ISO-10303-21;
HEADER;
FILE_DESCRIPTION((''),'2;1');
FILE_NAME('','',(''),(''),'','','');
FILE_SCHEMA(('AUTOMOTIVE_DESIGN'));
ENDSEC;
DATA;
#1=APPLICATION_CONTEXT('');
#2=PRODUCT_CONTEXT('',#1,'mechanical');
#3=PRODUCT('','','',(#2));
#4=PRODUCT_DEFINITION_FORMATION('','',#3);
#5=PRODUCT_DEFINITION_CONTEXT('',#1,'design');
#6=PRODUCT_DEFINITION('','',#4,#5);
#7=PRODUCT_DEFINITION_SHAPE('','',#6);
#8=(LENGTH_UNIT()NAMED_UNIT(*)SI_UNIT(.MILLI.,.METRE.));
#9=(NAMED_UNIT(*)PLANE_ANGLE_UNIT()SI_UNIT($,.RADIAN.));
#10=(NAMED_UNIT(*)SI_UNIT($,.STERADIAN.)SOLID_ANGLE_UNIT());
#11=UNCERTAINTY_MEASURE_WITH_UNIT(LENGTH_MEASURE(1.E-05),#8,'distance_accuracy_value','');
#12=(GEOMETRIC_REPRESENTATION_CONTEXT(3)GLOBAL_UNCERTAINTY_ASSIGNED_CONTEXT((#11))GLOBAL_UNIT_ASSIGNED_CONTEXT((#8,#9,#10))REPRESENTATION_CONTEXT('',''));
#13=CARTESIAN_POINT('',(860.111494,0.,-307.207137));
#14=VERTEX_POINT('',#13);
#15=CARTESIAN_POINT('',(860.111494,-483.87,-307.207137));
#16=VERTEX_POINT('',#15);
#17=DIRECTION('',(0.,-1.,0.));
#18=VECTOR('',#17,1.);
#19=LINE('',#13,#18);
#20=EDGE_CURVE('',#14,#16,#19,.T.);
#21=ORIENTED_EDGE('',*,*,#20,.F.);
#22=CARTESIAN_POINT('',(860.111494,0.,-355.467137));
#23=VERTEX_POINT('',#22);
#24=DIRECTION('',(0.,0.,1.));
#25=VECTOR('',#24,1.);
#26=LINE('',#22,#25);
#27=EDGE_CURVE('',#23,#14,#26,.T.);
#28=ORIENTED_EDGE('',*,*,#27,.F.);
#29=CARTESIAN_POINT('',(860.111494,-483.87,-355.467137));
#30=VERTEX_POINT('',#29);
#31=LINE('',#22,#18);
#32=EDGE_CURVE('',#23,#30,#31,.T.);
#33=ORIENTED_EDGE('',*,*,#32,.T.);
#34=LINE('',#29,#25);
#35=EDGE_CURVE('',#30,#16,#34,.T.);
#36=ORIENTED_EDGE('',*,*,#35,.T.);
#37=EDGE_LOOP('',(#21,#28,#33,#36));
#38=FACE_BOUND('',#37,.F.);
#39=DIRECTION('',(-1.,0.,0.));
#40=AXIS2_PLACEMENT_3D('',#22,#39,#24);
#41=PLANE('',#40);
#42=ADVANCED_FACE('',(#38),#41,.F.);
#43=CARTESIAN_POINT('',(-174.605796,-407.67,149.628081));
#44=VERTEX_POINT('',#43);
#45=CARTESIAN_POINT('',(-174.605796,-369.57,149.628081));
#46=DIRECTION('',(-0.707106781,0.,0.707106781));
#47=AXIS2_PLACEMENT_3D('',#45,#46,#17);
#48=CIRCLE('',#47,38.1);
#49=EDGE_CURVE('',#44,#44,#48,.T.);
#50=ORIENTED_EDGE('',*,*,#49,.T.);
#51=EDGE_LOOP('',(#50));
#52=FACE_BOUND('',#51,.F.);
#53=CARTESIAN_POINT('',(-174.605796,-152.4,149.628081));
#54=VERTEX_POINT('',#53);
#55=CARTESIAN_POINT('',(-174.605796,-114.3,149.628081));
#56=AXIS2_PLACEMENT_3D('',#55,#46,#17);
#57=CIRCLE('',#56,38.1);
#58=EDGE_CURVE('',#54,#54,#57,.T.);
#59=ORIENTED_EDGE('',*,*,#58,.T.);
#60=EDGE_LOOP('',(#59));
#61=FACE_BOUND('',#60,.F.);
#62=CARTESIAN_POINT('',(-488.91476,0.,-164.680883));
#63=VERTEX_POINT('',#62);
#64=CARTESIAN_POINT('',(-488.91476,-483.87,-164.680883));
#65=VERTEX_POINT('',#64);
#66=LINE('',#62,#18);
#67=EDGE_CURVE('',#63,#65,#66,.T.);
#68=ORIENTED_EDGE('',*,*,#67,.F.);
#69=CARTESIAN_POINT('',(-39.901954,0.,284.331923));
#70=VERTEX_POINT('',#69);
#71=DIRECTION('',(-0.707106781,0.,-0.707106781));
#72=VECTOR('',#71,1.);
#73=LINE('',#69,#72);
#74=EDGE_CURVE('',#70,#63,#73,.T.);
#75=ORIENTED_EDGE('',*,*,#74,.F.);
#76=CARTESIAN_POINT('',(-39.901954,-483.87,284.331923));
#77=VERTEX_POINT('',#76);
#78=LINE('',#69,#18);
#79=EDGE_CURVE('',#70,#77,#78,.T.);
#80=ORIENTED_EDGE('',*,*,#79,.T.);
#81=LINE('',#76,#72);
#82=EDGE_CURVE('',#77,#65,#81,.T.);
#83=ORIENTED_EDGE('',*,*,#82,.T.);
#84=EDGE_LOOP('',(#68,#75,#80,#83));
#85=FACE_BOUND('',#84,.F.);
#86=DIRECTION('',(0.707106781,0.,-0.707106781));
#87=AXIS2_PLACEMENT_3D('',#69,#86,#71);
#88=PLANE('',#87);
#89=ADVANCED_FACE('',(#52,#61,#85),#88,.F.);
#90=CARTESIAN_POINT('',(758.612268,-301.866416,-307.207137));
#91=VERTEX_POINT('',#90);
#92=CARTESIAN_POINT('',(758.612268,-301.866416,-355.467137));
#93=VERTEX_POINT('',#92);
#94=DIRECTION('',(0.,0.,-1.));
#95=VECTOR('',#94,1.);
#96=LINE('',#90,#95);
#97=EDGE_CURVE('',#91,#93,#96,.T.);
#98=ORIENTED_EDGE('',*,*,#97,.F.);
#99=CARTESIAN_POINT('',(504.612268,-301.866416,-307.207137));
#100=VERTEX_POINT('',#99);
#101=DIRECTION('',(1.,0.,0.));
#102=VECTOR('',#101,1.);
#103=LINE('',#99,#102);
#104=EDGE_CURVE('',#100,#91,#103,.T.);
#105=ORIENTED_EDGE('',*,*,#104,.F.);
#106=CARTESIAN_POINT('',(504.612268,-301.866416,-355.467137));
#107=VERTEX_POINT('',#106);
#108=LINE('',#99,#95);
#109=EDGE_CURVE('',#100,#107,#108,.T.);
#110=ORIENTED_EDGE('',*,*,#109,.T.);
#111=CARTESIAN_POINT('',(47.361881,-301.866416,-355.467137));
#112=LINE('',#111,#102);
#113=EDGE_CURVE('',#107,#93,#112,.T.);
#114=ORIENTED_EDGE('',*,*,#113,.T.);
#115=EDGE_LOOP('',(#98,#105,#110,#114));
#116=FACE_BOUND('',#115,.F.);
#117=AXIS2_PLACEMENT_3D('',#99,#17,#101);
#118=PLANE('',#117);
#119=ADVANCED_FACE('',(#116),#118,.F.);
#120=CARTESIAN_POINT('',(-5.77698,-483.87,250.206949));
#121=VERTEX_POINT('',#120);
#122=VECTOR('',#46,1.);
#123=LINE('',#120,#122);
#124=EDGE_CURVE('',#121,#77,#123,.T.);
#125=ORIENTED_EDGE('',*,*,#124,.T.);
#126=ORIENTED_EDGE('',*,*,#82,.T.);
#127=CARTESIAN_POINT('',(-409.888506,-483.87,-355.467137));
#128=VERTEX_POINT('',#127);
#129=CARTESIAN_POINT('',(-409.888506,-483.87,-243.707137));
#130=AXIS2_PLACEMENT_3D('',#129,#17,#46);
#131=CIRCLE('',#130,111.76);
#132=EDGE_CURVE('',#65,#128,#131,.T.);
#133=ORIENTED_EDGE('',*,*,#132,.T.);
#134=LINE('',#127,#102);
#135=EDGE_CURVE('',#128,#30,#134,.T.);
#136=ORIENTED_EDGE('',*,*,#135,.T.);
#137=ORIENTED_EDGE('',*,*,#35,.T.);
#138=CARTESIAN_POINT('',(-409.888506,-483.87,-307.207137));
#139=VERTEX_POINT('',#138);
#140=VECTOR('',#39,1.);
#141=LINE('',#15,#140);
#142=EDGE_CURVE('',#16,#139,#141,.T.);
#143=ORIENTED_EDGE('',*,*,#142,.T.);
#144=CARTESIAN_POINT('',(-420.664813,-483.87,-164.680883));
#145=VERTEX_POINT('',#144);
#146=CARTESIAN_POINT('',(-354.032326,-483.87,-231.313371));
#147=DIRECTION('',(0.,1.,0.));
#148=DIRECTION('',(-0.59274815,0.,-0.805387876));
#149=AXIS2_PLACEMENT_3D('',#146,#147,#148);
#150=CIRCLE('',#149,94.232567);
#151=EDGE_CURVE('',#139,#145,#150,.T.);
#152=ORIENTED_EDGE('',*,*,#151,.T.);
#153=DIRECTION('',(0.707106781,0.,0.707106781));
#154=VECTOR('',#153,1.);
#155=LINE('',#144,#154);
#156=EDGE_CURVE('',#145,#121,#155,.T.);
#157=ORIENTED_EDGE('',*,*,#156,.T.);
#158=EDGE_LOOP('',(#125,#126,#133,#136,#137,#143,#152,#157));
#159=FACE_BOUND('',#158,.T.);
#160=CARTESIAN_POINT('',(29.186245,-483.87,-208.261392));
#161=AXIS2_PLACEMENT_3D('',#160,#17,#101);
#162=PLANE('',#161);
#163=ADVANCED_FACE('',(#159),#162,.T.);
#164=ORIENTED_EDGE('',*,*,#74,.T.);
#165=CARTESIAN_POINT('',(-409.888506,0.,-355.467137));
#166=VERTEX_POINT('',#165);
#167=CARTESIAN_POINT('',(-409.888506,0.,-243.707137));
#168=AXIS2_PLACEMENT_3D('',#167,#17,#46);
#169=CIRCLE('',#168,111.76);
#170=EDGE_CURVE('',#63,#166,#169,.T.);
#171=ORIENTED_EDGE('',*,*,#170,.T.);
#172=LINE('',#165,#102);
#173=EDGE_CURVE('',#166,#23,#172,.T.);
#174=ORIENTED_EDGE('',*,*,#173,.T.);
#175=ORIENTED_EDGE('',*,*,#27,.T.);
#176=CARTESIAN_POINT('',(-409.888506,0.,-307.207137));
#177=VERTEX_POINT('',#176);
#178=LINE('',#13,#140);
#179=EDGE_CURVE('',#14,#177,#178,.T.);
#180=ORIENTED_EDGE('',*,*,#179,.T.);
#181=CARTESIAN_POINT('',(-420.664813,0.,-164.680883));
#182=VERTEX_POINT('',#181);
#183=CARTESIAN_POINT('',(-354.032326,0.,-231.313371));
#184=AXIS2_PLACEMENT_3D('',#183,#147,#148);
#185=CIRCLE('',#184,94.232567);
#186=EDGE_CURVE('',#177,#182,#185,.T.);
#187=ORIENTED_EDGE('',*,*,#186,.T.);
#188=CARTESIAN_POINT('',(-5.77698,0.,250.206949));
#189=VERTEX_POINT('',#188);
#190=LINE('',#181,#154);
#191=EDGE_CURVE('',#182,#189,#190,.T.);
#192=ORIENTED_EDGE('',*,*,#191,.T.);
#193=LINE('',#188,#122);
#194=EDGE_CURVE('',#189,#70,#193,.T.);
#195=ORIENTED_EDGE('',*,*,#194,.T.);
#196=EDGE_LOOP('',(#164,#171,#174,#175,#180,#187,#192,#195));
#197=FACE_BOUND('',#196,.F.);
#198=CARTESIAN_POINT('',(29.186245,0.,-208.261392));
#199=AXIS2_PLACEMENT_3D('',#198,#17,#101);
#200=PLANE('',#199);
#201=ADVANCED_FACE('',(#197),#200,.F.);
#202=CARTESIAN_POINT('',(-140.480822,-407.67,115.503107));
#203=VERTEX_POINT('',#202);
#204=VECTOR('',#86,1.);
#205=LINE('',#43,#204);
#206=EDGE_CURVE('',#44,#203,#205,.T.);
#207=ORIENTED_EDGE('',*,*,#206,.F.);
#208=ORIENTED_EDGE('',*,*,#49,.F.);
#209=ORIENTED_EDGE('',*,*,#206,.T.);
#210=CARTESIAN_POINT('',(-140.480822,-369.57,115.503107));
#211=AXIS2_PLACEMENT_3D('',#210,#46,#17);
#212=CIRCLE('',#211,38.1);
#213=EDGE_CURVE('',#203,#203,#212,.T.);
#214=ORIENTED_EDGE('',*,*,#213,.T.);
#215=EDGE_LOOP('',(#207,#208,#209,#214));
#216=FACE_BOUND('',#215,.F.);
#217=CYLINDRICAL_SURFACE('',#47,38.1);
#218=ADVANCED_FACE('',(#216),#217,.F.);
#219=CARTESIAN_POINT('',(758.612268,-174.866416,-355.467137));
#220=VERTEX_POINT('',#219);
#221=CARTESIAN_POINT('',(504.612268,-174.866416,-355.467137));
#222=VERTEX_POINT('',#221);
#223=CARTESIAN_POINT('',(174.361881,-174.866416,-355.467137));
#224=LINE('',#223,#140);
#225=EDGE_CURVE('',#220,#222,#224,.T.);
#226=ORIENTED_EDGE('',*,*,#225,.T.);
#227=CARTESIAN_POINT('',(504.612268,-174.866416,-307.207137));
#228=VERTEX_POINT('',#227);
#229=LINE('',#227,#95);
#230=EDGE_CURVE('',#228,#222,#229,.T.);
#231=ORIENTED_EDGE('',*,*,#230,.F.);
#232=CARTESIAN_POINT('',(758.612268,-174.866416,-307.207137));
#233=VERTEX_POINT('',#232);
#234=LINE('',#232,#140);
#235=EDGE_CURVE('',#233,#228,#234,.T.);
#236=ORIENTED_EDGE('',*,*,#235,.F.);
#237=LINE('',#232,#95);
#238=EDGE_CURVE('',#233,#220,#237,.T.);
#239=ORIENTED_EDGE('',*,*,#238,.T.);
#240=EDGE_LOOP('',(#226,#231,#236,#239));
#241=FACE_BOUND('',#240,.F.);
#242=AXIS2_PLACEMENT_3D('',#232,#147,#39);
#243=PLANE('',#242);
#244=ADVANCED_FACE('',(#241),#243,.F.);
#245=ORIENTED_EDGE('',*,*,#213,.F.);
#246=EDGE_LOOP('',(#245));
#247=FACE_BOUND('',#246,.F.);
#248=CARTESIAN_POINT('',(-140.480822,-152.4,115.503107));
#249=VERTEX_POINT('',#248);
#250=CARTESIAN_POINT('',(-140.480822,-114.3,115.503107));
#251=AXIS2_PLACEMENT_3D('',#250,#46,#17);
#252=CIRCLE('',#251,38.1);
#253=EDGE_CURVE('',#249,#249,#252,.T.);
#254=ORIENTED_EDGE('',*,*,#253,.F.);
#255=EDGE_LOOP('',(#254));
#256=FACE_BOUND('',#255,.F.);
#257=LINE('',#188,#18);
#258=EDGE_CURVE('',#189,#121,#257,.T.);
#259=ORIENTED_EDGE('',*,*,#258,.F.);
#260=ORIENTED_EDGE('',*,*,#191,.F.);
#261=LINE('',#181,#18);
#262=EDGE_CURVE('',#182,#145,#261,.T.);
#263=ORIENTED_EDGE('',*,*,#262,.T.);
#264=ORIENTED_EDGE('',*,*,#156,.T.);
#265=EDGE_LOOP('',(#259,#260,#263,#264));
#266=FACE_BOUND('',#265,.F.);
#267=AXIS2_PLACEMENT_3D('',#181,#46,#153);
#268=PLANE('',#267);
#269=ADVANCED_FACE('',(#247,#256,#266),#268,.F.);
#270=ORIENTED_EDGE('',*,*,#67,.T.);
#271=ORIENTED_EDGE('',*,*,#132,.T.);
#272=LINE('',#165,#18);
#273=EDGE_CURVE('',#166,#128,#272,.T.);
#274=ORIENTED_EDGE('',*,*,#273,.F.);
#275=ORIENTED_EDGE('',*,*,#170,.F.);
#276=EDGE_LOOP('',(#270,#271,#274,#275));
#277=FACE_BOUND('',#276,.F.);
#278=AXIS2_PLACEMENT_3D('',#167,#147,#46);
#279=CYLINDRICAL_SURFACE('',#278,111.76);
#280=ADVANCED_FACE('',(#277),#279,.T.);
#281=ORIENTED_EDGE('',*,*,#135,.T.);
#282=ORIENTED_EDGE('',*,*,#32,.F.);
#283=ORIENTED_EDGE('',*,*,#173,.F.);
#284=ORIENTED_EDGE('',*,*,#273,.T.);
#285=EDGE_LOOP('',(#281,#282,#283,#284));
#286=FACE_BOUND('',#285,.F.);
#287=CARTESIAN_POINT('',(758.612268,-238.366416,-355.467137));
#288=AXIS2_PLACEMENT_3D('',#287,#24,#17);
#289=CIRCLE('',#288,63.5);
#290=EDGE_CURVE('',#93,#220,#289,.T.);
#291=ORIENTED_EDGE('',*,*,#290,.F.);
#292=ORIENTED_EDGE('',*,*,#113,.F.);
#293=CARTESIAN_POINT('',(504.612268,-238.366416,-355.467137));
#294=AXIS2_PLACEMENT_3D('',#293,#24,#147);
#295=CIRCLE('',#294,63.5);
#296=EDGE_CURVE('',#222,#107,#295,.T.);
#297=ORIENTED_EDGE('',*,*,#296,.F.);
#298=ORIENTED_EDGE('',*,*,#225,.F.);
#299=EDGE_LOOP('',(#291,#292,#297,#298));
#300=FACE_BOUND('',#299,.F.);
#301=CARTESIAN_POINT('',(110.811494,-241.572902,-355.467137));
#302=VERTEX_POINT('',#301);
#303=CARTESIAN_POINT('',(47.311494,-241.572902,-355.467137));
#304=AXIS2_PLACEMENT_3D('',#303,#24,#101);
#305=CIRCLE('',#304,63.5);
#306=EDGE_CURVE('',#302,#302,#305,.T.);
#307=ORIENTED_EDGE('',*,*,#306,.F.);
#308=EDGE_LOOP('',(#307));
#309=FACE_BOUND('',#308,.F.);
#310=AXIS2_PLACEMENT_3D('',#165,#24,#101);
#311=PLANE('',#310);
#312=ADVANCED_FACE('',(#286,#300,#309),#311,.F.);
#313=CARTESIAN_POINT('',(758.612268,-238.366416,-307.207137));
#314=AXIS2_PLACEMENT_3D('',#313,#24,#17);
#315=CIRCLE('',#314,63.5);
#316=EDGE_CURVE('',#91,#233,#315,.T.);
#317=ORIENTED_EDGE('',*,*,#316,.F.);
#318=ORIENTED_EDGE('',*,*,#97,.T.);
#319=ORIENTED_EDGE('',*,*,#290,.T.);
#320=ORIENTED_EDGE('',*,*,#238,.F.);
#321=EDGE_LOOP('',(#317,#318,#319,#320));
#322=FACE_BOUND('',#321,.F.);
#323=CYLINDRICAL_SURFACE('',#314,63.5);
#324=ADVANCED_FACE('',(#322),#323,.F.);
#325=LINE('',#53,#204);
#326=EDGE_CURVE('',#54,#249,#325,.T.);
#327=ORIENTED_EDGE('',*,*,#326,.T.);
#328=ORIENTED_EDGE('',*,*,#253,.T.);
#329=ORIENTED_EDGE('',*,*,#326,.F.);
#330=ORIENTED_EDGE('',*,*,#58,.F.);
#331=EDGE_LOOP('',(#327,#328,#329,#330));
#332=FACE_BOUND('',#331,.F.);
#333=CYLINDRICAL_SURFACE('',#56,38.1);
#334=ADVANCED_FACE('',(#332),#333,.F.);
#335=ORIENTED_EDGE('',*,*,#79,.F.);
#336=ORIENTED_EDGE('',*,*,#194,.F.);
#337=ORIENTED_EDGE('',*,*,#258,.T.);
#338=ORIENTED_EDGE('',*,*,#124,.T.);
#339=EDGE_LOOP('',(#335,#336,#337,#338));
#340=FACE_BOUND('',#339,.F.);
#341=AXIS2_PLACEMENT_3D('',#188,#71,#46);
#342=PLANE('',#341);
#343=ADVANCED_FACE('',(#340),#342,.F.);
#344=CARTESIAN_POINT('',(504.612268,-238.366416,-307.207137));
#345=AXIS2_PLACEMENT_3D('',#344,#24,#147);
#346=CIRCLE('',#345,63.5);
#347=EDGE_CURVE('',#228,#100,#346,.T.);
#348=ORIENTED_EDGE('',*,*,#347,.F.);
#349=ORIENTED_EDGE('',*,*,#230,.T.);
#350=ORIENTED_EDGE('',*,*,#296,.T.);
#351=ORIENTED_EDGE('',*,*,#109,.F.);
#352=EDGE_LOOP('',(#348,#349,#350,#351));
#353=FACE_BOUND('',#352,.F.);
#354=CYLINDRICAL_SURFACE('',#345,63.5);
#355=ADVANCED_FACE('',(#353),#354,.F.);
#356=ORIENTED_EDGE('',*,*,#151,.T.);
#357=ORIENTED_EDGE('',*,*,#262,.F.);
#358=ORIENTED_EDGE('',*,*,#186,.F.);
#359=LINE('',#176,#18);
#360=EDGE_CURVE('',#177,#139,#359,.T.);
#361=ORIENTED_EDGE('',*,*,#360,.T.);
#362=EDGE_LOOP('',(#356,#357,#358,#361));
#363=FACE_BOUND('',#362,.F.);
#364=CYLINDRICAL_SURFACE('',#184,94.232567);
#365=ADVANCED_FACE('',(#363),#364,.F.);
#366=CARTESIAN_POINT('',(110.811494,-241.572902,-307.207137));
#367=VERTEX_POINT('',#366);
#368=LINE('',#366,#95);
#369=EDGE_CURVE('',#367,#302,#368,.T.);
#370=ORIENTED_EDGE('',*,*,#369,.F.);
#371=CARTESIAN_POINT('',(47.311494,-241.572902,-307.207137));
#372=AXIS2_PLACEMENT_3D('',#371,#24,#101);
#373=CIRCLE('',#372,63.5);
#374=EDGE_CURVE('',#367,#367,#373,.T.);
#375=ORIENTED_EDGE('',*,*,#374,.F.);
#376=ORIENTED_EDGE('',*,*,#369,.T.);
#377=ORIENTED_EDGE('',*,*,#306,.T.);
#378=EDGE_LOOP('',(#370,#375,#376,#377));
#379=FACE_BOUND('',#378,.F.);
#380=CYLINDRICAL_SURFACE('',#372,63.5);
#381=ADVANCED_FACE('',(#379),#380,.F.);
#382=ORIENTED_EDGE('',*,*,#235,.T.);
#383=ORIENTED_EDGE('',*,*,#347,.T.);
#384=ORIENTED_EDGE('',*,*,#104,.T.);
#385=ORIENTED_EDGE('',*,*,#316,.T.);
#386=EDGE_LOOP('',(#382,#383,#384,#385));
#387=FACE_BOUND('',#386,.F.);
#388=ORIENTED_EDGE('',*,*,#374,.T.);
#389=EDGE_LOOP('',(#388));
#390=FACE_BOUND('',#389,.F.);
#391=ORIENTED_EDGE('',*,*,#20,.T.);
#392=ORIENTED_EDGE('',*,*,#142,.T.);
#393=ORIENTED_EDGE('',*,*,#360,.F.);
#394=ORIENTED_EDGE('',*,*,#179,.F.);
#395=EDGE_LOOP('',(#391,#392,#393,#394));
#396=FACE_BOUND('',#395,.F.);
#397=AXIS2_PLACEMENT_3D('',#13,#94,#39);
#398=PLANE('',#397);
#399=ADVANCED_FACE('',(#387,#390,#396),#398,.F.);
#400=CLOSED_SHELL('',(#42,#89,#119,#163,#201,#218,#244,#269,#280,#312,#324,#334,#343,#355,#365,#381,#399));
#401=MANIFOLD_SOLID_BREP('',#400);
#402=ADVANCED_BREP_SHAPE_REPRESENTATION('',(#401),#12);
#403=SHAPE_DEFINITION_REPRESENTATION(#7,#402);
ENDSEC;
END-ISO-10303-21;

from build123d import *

# Parameters (mm, degrees)
F1_DEPTH = 483.87
F2_R     = 63.5
F3_DEPTH = 307.34
F4_R     = 38.1
F5_DEPTH = 170.18


with BuildPart() as f1:
    # F0 (on Front) → F1 (new body)
    with BuildSketch(Plane.XZ):
        with BuildLine():
            Line((-5.7769804876, 250.2069493125), (-39.9019537476, 284.3319225726))
            Line((-39.9019537476, 284.3319225726), (-488.9147598011, -164.6808834809))
            ThreePointArc((-488.9147598011, -164.6808834809), (-513.1412824891, -286.4758377474), (-409.8885059357, -355.4671373463))
            Line((-409.8885059357, -355.4671373463), (860.1114940643, -355.4671373463))
            Line((860.1114940643, -355.4671373463), (860.1114940643, -307.2071373463))
            Line((860.1114940643, -307.2071373463), (-409.8885059357, -307.2071373463))
            ThreePointArc((-409.8885059357, -307.2071373463), (-447.9966898633, -238.4179483219), (-420.664813281, -164.6808834809))
            Line((-420.664813281, -164.6808834809), (-5.7769804876, 250.2069493125))
        make_face()
    extrude(amount=F1_DEPTH)

    # F2 (on face) → F3 (cut)
    with BuildSketch(Plane.XY.offset(-307.2071373463)):
        with Locations((47.3114940643, -241.5729016066)):
            Circle(F2_R)
        with BuildLine():
            Line((758.6122675238, -174.8664157407), (504.6122675238, -174.8664157407))
            ThreePointArc((504.6122675238, -174.8664157407), (441.1122675238, -238.3664157407), (504.6122675238, -301.8664157407))
            Line((504.6122675238, -301.8664157407), (758.6122675238, -301.8664157407))
            ThreePointArc((758.6122675238, -301.8664157407), (822.1122675238, -238.3664157407), (758.6122675238, -174.8664157407))
        make_face()
    extrude(amount=-F3_DEPTH, mode=Mode.SUBTRACT)

    # F4 (on face) → F5 (cut)
    with BuildSketch(Plane(origin=(-162.1169381601, 0, 162.1169381601), x_dir=(0, -1, 0), z_dir=(-0.7071067812, 0, 0.7071067812))):
        with Locations((114.3, -17.6619115186)):
            Circle(F4_R)
        with Locations((369.57, -17.6619115186)):
            Circle(F4_R)
    extrude(amount=-F5_DEPTH, mode=Mode.SUBTRACT)


solid = f1.part
